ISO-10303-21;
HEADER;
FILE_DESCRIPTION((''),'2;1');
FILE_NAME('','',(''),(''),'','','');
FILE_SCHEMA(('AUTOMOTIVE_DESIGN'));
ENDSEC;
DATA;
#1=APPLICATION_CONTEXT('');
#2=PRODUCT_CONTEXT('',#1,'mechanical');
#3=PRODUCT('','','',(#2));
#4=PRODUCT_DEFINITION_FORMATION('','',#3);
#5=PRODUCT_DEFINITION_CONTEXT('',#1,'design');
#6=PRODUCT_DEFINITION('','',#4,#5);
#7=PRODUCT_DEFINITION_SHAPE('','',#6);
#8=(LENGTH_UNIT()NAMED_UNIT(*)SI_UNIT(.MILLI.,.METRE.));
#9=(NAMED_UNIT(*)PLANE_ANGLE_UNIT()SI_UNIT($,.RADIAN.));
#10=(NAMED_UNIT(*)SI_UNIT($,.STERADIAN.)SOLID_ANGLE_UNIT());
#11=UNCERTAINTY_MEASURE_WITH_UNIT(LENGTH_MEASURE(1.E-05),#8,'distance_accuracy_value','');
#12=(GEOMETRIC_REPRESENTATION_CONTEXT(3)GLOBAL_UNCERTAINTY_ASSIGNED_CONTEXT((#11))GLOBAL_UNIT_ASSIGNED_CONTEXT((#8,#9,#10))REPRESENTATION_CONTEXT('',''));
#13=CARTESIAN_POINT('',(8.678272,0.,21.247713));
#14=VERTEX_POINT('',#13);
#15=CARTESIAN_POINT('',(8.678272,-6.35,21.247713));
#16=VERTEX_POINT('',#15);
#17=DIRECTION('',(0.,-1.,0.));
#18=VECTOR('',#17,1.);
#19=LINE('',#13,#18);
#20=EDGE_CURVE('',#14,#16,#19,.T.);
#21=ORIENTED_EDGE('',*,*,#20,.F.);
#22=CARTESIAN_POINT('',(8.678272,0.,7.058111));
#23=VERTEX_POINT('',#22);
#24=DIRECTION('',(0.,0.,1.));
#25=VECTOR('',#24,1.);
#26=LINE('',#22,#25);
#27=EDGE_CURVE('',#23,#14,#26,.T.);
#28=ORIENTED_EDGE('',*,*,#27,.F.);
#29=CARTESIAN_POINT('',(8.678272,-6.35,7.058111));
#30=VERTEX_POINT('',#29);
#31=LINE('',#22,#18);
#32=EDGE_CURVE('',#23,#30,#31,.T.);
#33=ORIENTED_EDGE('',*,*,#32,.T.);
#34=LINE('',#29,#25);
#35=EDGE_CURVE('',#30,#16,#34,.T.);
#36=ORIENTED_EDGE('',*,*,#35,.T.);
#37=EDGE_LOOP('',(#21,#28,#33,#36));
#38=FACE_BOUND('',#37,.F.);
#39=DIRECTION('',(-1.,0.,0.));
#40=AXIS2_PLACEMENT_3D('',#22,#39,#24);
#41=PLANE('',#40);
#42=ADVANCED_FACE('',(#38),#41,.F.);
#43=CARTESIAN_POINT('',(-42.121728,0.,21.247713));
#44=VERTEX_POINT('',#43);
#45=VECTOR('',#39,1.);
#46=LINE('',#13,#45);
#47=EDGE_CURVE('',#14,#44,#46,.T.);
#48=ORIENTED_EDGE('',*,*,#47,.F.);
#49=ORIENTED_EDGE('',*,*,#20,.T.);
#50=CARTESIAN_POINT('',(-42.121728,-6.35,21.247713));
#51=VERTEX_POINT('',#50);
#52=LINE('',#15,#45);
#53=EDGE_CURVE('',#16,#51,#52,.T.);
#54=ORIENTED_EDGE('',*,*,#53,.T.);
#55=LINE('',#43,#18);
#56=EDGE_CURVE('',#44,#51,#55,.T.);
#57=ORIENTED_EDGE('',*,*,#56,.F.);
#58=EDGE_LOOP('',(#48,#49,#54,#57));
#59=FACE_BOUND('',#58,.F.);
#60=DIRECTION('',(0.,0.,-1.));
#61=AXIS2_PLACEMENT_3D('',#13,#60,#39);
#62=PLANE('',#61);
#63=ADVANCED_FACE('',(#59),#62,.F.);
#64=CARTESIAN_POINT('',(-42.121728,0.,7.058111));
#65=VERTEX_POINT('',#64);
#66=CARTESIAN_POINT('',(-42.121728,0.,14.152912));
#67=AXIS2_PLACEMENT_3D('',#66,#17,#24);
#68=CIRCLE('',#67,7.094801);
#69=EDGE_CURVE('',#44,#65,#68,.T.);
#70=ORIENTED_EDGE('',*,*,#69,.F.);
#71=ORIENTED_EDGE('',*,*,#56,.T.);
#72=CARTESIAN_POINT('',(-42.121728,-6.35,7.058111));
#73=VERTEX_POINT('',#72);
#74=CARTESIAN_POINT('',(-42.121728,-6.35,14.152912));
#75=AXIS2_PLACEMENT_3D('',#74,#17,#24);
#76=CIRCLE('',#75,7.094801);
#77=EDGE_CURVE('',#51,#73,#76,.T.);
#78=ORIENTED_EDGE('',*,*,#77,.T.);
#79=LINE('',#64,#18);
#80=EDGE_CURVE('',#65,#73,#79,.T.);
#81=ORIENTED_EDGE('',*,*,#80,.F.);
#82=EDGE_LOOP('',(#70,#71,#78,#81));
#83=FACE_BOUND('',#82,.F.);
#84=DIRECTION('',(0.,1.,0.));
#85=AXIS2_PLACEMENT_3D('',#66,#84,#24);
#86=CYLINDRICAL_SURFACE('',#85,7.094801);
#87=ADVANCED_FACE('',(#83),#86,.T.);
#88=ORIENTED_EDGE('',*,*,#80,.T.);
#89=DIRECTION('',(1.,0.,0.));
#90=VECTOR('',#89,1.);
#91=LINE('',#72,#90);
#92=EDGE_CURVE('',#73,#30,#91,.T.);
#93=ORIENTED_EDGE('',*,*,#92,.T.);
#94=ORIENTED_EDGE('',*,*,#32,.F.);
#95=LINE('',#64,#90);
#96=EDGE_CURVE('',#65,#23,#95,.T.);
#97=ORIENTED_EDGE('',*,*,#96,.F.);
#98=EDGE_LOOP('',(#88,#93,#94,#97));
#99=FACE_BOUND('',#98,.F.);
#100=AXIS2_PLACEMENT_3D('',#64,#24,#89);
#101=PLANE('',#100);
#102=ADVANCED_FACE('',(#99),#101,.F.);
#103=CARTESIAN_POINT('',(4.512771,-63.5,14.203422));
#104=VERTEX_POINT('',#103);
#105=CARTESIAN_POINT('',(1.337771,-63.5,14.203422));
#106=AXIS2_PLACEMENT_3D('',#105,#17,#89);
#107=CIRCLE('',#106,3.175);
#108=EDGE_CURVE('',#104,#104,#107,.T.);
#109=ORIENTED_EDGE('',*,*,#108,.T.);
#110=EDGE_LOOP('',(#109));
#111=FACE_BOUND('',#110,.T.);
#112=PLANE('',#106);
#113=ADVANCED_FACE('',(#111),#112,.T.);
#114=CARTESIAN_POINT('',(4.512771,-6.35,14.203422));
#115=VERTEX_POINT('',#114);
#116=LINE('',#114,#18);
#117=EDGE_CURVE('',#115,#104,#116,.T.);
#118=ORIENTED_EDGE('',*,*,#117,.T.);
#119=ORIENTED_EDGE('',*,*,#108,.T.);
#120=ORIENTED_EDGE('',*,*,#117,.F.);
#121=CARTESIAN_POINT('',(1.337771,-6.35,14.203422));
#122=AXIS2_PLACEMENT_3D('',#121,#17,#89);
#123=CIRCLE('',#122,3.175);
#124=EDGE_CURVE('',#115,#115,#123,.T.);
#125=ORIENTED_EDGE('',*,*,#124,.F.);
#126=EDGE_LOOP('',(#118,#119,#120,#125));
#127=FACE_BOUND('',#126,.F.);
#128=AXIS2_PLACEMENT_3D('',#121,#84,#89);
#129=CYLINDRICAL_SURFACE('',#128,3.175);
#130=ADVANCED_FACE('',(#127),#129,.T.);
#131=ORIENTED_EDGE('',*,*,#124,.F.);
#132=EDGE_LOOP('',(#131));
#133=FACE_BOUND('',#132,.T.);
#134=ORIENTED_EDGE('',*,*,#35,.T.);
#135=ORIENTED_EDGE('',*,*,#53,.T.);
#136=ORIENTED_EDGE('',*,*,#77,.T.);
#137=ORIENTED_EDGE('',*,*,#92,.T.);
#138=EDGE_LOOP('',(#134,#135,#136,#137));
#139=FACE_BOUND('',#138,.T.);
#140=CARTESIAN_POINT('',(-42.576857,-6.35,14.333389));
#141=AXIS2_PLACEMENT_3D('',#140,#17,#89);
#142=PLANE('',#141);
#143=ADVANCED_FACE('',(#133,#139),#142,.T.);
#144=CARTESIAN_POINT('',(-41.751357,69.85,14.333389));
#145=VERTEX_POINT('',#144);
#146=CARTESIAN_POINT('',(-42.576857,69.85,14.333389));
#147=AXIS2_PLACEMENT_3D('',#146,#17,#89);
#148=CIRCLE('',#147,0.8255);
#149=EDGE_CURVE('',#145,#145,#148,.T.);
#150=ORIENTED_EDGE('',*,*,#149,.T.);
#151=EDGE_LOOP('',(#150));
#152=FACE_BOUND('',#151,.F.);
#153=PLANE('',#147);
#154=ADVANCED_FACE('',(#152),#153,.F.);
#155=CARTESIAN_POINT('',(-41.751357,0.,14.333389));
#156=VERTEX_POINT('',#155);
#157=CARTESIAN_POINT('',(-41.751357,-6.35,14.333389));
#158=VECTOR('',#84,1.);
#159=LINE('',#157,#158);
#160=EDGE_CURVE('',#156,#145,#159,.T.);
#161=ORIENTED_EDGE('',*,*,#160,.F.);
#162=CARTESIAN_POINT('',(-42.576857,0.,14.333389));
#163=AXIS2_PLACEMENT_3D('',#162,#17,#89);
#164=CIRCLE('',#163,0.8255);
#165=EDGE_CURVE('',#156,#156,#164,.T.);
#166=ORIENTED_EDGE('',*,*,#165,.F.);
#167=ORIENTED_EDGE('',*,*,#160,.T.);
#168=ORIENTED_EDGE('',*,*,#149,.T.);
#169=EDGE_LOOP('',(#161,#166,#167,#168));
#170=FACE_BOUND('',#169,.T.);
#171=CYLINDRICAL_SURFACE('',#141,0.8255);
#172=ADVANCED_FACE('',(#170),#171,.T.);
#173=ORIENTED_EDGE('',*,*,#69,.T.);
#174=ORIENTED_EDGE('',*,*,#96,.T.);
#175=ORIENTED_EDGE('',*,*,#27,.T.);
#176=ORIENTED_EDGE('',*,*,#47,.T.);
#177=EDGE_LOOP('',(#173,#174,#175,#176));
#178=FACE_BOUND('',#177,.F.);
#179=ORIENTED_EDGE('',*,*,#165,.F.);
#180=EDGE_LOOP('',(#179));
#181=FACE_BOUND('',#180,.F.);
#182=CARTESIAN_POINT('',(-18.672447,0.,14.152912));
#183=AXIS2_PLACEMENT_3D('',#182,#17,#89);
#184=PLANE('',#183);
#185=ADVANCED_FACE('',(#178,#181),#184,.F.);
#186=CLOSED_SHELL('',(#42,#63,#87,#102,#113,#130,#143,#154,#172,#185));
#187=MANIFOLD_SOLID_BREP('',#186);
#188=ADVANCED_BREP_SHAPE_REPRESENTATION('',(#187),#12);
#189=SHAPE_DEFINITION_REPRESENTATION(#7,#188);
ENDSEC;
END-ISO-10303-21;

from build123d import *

# Parameters (mm, degrees)
F1_DEPTH = 6.35
F5_R     = 0.8255
F6_DEPTH = 76.2
F4_R     = 3.175
F7_DEPTH = 57.15


with BuildPart() as f1:
    # F0 (on Front) → F1 (new body)
    with BuildSketch(Plane.XZ):
        with BuildLine():
            Line((8.678272, 21.247713), (-42.121728, 21.247713))
            ThreePointArc((-42.121728, 21.247713), (-49.216529, 14.152912), (-42.121728, 7.058111))
            Line((-42.121728, 7.058111), (8.678272, 7.058111))
            Line((8.678272, 7.058111), (8.678272, 21.247713))
        make_face()
    extrude(amount=F1_DEPTH)

    # F5 (on face) → F6 (join)
    with BuildSketch(Plane.XZ.offset(6.35)):
        with Locations((-42.576857, 14.333389)):
            Circle(F5_R)
    extrude(amount=-F6_DEPTH)

    # F4 (on face) → F7 (join)
    with BuildSketch(Plane.XZ.offset(6.35)):
        with Locations((1.337771, 14.203422)):
            Circle(F4_R)
    extrude(amount=F7_DEPTH)


solid = f1.part
